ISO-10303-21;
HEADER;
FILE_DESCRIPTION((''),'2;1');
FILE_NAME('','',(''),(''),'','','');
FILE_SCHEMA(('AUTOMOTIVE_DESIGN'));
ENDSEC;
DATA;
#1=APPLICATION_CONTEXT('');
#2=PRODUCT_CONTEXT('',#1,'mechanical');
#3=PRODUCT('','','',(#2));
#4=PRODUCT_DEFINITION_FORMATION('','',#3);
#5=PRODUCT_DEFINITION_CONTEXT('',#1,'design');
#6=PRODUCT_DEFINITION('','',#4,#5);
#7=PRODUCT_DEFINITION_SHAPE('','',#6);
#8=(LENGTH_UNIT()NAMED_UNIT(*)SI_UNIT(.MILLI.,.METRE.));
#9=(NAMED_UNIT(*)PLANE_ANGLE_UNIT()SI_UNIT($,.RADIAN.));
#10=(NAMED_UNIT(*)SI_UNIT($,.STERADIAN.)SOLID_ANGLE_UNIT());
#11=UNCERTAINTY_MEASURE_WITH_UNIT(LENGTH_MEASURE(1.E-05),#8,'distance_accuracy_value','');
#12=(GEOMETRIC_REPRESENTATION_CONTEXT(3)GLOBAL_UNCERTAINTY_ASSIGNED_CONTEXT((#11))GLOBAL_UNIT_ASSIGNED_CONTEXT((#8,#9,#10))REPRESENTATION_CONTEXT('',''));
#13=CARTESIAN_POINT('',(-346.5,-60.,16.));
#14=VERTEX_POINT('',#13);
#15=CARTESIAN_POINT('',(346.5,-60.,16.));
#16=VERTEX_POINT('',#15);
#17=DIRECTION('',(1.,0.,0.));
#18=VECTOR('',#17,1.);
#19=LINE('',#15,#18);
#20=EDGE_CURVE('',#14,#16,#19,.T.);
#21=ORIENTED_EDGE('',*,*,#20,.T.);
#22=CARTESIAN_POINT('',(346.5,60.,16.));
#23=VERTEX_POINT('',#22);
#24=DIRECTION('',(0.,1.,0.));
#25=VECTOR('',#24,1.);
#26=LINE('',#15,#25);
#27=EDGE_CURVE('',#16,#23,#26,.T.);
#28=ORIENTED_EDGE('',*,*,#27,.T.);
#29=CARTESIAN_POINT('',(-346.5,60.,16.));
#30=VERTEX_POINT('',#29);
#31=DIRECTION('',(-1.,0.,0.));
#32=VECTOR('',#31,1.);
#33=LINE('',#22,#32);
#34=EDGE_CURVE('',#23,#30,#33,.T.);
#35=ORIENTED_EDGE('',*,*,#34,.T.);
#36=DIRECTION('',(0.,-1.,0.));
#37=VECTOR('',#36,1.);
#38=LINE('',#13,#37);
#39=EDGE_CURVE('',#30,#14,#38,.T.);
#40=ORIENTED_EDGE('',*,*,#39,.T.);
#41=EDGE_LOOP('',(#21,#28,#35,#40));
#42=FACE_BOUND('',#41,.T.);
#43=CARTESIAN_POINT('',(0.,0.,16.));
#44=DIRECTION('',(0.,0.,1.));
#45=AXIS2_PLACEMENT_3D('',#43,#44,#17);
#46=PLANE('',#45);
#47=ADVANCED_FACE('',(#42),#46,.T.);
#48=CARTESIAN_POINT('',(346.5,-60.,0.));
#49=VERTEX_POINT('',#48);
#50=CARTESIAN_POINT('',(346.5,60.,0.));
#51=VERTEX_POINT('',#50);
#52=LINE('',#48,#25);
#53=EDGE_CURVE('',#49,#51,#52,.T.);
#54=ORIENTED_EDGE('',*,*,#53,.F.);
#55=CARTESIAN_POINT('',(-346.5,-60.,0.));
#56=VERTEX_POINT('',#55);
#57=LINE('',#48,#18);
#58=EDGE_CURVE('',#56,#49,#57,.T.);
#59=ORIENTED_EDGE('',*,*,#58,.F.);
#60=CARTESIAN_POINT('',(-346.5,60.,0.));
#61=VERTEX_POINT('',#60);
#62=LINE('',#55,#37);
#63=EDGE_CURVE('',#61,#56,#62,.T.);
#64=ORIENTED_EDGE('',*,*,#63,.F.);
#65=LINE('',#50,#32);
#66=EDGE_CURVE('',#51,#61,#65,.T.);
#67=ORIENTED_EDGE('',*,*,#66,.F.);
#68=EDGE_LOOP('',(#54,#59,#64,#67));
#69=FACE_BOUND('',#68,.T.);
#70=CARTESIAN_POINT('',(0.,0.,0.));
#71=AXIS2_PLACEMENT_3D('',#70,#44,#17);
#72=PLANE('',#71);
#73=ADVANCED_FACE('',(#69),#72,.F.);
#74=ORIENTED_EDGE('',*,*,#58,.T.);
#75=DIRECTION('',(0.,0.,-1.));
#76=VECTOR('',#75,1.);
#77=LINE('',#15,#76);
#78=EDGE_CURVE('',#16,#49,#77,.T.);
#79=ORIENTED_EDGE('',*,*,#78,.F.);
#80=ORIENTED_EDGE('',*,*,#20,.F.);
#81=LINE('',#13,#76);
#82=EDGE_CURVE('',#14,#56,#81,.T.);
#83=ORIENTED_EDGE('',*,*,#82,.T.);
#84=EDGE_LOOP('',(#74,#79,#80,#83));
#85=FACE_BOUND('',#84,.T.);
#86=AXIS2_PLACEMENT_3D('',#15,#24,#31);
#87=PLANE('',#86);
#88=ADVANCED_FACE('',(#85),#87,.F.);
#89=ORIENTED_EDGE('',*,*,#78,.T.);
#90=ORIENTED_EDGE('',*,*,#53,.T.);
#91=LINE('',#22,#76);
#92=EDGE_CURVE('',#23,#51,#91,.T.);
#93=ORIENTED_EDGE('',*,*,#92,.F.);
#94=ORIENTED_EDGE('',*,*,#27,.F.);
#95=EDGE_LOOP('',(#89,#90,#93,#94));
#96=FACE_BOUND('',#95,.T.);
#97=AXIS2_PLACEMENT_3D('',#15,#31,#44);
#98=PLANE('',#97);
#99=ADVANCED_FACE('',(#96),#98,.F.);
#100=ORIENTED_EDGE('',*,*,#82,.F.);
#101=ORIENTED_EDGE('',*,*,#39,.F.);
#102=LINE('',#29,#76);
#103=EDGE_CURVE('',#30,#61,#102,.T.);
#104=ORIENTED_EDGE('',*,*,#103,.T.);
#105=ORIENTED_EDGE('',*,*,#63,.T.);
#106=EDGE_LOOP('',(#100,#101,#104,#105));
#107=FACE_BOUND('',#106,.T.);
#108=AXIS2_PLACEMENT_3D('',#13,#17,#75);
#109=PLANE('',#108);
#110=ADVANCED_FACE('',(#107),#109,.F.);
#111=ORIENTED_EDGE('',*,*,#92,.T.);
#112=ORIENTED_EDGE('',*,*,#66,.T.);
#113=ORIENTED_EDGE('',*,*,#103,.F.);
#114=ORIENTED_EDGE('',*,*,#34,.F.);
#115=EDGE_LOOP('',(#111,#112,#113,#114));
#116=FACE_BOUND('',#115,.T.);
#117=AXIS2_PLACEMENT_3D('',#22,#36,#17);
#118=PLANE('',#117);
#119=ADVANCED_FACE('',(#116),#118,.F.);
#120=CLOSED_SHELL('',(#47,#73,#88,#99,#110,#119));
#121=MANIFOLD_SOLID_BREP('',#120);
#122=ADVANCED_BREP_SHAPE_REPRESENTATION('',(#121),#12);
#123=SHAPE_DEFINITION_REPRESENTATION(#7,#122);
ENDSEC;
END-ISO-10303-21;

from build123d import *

# Parameters (mm, degrees)
SKETCH_1_W      = 693
SKETCH_1_H      = 120
EXTRUDE_1_DEPTH = 16


with BuildPart() as part:
    # 草图1 → 凸台-拉伸1 (new body)
    with BuildSketch(Plane.XY):
        Rectangle(SKETCH_1_W, SKETCH_1_H)
    extrude(amount=EXTRUDE_1_DEPTH)


solid = part.part
